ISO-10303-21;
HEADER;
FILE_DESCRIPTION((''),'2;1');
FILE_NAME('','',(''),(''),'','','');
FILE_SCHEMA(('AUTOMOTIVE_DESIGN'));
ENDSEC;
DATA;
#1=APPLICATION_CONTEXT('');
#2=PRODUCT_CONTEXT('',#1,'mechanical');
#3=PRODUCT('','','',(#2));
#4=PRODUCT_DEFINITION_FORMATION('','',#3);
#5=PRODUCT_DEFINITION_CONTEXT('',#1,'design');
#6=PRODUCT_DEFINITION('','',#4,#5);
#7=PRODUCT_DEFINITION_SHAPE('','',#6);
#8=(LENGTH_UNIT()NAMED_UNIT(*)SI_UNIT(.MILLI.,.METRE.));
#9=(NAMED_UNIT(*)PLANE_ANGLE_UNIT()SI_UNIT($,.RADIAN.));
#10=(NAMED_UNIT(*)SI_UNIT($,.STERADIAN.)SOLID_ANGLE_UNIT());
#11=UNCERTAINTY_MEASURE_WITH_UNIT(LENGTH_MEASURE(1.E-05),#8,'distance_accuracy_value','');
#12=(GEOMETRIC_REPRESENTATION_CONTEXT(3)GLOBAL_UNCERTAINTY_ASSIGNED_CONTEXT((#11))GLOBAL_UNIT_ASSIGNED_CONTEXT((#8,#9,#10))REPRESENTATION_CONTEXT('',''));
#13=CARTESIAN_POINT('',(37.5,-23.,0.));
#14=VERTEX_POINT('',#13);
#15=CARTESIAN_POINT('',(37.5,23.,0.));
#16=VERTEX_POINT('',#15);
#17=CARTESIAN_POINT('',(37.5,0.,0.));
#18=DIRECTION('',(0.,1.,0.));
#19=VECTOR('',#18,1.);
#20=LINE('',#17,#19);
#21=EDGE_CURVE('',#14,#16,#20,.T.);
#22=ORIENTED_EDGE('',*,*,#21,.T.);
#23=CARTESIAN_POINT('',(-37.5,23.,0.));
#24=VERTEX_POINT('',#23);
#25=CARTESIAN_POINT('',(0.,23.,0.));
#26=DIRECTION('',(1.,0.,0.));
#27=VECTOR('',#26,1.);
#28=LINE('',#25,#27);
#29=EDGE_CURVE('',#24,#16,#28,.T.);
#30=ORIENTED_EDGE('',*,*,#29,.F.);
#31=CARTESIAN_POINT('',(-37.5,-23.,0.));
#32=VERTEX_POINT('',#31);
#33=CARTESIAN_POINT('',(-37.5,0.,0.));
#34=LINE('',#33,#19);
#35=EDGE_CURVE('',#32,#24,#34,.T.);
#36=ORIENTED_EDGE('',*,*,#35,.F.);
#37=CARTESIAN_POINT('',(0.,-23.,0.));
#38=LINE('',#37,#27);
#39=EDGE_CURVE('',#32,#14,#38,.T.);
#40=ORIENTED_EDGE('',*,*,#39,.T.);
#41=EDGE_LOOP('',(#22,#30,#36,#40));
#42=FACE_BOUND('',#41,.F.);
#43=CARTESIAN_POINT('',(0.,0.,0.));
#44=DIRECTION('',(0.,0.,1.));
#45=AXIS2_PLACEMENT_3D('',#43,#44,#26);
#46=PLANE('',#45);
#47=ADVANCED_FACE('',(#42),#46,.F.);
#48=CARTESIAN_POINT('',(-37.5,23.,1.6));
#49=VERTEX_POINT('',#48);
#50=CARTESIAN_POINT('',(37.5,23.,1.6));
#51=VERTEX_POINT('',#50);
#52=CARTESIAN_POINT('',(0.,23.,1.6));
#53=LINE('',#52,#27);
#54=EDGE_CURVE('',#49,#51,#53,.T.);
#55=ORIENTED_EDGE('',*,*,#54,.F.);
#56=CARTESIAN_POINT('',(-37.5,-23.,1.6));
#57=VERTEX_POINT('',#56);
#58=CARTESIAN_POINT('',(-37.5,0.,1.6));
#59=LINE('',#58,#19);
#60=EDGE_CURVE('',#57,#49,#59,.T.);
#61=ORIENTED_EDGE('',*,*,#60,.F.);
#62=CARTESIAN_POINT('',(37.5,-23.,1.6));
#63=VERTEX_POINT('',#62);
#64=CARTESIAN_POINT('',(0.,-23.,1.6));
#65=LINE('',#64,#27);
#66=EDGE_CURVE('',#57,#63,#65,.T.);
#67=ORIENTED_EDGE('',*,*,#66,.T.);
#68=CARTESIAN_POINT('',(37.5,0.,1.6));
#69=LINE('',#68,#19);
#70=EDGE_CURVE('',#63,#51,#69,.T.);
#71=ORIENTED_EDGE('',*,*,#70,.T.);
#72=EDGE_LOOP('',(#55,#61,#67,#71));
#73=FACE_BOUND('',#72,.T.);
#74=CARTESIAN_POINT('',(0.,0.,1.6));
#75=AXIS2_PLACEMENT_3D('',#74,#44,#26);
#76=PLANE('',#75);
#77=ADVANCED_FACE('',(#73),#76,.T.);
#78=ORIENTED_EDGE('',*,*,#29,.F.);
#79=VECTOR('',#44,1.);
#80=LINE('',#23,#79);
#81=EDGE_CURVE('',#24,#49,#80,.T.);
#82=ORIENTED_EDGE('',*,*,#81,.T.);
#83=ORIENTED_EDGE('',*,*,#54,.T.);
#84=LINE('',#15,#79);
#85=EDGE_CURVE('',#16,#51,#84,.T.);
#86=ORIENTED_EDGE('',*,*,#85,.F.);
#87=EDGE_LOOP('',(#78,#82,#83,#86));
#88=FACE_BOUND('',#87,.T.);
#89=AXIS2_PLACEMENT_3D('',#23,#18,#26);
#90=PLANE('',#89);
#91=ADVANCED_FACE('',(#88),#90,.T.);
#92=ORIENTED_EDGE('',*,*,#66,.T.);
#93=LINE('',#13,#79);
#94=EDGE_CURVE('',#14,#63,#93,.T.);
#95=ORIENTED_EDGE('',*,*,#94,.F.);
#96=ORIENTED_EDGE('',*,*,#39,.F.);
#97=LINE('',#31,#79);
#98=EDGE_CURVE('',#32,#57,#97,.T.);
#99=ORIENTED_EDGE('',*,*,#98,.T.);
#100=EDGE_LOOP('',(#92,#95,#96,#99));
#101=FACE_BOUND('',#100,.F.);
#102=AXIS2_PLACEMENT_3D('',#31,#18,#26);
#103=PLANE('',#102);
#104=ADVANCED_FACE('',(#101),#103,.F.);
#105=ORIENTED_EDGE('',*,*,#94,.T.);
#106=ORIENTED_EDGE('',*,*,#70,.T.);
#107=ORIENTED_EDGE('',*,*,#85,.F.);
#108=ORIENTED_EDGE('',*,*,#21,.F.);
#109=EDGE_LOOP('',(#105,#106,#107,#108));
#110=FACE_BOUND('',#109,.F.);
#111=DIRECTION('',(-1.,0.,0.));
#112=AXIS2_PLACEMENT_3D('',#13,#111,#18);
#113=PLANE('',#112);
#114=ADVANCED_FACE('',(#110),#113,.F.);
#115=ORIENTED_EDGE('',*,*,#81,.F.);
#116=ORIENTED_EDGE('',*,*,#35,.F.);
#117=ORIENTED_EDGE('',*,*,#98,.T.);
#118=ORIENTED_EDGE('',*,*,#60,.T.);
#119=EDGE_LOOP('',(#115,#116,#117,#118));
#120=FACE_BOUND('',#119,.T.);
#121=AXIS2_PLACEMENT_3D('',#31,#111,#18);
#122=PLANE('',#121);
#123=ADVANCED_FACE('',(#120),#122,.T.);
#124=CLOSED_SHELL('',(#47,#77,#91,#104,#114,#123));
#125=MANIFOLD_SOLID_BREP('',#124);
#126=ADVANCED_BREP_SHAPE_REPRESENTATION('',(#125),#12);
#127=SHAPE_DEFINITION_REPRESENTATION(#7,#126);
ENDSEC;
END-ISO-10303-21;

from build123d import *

# Parameters (mm, degrees)
SKETCH_W  = 75
SKETCH_H  = 46
PAD_DEPTH = 1.6


with BuildPart() as part:
    # Sketch → Pad (new body)
    with BuildSketch(Plane.XY):
        Rectangle(SKETCH_W, SKETCH_H)
    extrude(amount=PAD_DEPTH)


solid = part.part
